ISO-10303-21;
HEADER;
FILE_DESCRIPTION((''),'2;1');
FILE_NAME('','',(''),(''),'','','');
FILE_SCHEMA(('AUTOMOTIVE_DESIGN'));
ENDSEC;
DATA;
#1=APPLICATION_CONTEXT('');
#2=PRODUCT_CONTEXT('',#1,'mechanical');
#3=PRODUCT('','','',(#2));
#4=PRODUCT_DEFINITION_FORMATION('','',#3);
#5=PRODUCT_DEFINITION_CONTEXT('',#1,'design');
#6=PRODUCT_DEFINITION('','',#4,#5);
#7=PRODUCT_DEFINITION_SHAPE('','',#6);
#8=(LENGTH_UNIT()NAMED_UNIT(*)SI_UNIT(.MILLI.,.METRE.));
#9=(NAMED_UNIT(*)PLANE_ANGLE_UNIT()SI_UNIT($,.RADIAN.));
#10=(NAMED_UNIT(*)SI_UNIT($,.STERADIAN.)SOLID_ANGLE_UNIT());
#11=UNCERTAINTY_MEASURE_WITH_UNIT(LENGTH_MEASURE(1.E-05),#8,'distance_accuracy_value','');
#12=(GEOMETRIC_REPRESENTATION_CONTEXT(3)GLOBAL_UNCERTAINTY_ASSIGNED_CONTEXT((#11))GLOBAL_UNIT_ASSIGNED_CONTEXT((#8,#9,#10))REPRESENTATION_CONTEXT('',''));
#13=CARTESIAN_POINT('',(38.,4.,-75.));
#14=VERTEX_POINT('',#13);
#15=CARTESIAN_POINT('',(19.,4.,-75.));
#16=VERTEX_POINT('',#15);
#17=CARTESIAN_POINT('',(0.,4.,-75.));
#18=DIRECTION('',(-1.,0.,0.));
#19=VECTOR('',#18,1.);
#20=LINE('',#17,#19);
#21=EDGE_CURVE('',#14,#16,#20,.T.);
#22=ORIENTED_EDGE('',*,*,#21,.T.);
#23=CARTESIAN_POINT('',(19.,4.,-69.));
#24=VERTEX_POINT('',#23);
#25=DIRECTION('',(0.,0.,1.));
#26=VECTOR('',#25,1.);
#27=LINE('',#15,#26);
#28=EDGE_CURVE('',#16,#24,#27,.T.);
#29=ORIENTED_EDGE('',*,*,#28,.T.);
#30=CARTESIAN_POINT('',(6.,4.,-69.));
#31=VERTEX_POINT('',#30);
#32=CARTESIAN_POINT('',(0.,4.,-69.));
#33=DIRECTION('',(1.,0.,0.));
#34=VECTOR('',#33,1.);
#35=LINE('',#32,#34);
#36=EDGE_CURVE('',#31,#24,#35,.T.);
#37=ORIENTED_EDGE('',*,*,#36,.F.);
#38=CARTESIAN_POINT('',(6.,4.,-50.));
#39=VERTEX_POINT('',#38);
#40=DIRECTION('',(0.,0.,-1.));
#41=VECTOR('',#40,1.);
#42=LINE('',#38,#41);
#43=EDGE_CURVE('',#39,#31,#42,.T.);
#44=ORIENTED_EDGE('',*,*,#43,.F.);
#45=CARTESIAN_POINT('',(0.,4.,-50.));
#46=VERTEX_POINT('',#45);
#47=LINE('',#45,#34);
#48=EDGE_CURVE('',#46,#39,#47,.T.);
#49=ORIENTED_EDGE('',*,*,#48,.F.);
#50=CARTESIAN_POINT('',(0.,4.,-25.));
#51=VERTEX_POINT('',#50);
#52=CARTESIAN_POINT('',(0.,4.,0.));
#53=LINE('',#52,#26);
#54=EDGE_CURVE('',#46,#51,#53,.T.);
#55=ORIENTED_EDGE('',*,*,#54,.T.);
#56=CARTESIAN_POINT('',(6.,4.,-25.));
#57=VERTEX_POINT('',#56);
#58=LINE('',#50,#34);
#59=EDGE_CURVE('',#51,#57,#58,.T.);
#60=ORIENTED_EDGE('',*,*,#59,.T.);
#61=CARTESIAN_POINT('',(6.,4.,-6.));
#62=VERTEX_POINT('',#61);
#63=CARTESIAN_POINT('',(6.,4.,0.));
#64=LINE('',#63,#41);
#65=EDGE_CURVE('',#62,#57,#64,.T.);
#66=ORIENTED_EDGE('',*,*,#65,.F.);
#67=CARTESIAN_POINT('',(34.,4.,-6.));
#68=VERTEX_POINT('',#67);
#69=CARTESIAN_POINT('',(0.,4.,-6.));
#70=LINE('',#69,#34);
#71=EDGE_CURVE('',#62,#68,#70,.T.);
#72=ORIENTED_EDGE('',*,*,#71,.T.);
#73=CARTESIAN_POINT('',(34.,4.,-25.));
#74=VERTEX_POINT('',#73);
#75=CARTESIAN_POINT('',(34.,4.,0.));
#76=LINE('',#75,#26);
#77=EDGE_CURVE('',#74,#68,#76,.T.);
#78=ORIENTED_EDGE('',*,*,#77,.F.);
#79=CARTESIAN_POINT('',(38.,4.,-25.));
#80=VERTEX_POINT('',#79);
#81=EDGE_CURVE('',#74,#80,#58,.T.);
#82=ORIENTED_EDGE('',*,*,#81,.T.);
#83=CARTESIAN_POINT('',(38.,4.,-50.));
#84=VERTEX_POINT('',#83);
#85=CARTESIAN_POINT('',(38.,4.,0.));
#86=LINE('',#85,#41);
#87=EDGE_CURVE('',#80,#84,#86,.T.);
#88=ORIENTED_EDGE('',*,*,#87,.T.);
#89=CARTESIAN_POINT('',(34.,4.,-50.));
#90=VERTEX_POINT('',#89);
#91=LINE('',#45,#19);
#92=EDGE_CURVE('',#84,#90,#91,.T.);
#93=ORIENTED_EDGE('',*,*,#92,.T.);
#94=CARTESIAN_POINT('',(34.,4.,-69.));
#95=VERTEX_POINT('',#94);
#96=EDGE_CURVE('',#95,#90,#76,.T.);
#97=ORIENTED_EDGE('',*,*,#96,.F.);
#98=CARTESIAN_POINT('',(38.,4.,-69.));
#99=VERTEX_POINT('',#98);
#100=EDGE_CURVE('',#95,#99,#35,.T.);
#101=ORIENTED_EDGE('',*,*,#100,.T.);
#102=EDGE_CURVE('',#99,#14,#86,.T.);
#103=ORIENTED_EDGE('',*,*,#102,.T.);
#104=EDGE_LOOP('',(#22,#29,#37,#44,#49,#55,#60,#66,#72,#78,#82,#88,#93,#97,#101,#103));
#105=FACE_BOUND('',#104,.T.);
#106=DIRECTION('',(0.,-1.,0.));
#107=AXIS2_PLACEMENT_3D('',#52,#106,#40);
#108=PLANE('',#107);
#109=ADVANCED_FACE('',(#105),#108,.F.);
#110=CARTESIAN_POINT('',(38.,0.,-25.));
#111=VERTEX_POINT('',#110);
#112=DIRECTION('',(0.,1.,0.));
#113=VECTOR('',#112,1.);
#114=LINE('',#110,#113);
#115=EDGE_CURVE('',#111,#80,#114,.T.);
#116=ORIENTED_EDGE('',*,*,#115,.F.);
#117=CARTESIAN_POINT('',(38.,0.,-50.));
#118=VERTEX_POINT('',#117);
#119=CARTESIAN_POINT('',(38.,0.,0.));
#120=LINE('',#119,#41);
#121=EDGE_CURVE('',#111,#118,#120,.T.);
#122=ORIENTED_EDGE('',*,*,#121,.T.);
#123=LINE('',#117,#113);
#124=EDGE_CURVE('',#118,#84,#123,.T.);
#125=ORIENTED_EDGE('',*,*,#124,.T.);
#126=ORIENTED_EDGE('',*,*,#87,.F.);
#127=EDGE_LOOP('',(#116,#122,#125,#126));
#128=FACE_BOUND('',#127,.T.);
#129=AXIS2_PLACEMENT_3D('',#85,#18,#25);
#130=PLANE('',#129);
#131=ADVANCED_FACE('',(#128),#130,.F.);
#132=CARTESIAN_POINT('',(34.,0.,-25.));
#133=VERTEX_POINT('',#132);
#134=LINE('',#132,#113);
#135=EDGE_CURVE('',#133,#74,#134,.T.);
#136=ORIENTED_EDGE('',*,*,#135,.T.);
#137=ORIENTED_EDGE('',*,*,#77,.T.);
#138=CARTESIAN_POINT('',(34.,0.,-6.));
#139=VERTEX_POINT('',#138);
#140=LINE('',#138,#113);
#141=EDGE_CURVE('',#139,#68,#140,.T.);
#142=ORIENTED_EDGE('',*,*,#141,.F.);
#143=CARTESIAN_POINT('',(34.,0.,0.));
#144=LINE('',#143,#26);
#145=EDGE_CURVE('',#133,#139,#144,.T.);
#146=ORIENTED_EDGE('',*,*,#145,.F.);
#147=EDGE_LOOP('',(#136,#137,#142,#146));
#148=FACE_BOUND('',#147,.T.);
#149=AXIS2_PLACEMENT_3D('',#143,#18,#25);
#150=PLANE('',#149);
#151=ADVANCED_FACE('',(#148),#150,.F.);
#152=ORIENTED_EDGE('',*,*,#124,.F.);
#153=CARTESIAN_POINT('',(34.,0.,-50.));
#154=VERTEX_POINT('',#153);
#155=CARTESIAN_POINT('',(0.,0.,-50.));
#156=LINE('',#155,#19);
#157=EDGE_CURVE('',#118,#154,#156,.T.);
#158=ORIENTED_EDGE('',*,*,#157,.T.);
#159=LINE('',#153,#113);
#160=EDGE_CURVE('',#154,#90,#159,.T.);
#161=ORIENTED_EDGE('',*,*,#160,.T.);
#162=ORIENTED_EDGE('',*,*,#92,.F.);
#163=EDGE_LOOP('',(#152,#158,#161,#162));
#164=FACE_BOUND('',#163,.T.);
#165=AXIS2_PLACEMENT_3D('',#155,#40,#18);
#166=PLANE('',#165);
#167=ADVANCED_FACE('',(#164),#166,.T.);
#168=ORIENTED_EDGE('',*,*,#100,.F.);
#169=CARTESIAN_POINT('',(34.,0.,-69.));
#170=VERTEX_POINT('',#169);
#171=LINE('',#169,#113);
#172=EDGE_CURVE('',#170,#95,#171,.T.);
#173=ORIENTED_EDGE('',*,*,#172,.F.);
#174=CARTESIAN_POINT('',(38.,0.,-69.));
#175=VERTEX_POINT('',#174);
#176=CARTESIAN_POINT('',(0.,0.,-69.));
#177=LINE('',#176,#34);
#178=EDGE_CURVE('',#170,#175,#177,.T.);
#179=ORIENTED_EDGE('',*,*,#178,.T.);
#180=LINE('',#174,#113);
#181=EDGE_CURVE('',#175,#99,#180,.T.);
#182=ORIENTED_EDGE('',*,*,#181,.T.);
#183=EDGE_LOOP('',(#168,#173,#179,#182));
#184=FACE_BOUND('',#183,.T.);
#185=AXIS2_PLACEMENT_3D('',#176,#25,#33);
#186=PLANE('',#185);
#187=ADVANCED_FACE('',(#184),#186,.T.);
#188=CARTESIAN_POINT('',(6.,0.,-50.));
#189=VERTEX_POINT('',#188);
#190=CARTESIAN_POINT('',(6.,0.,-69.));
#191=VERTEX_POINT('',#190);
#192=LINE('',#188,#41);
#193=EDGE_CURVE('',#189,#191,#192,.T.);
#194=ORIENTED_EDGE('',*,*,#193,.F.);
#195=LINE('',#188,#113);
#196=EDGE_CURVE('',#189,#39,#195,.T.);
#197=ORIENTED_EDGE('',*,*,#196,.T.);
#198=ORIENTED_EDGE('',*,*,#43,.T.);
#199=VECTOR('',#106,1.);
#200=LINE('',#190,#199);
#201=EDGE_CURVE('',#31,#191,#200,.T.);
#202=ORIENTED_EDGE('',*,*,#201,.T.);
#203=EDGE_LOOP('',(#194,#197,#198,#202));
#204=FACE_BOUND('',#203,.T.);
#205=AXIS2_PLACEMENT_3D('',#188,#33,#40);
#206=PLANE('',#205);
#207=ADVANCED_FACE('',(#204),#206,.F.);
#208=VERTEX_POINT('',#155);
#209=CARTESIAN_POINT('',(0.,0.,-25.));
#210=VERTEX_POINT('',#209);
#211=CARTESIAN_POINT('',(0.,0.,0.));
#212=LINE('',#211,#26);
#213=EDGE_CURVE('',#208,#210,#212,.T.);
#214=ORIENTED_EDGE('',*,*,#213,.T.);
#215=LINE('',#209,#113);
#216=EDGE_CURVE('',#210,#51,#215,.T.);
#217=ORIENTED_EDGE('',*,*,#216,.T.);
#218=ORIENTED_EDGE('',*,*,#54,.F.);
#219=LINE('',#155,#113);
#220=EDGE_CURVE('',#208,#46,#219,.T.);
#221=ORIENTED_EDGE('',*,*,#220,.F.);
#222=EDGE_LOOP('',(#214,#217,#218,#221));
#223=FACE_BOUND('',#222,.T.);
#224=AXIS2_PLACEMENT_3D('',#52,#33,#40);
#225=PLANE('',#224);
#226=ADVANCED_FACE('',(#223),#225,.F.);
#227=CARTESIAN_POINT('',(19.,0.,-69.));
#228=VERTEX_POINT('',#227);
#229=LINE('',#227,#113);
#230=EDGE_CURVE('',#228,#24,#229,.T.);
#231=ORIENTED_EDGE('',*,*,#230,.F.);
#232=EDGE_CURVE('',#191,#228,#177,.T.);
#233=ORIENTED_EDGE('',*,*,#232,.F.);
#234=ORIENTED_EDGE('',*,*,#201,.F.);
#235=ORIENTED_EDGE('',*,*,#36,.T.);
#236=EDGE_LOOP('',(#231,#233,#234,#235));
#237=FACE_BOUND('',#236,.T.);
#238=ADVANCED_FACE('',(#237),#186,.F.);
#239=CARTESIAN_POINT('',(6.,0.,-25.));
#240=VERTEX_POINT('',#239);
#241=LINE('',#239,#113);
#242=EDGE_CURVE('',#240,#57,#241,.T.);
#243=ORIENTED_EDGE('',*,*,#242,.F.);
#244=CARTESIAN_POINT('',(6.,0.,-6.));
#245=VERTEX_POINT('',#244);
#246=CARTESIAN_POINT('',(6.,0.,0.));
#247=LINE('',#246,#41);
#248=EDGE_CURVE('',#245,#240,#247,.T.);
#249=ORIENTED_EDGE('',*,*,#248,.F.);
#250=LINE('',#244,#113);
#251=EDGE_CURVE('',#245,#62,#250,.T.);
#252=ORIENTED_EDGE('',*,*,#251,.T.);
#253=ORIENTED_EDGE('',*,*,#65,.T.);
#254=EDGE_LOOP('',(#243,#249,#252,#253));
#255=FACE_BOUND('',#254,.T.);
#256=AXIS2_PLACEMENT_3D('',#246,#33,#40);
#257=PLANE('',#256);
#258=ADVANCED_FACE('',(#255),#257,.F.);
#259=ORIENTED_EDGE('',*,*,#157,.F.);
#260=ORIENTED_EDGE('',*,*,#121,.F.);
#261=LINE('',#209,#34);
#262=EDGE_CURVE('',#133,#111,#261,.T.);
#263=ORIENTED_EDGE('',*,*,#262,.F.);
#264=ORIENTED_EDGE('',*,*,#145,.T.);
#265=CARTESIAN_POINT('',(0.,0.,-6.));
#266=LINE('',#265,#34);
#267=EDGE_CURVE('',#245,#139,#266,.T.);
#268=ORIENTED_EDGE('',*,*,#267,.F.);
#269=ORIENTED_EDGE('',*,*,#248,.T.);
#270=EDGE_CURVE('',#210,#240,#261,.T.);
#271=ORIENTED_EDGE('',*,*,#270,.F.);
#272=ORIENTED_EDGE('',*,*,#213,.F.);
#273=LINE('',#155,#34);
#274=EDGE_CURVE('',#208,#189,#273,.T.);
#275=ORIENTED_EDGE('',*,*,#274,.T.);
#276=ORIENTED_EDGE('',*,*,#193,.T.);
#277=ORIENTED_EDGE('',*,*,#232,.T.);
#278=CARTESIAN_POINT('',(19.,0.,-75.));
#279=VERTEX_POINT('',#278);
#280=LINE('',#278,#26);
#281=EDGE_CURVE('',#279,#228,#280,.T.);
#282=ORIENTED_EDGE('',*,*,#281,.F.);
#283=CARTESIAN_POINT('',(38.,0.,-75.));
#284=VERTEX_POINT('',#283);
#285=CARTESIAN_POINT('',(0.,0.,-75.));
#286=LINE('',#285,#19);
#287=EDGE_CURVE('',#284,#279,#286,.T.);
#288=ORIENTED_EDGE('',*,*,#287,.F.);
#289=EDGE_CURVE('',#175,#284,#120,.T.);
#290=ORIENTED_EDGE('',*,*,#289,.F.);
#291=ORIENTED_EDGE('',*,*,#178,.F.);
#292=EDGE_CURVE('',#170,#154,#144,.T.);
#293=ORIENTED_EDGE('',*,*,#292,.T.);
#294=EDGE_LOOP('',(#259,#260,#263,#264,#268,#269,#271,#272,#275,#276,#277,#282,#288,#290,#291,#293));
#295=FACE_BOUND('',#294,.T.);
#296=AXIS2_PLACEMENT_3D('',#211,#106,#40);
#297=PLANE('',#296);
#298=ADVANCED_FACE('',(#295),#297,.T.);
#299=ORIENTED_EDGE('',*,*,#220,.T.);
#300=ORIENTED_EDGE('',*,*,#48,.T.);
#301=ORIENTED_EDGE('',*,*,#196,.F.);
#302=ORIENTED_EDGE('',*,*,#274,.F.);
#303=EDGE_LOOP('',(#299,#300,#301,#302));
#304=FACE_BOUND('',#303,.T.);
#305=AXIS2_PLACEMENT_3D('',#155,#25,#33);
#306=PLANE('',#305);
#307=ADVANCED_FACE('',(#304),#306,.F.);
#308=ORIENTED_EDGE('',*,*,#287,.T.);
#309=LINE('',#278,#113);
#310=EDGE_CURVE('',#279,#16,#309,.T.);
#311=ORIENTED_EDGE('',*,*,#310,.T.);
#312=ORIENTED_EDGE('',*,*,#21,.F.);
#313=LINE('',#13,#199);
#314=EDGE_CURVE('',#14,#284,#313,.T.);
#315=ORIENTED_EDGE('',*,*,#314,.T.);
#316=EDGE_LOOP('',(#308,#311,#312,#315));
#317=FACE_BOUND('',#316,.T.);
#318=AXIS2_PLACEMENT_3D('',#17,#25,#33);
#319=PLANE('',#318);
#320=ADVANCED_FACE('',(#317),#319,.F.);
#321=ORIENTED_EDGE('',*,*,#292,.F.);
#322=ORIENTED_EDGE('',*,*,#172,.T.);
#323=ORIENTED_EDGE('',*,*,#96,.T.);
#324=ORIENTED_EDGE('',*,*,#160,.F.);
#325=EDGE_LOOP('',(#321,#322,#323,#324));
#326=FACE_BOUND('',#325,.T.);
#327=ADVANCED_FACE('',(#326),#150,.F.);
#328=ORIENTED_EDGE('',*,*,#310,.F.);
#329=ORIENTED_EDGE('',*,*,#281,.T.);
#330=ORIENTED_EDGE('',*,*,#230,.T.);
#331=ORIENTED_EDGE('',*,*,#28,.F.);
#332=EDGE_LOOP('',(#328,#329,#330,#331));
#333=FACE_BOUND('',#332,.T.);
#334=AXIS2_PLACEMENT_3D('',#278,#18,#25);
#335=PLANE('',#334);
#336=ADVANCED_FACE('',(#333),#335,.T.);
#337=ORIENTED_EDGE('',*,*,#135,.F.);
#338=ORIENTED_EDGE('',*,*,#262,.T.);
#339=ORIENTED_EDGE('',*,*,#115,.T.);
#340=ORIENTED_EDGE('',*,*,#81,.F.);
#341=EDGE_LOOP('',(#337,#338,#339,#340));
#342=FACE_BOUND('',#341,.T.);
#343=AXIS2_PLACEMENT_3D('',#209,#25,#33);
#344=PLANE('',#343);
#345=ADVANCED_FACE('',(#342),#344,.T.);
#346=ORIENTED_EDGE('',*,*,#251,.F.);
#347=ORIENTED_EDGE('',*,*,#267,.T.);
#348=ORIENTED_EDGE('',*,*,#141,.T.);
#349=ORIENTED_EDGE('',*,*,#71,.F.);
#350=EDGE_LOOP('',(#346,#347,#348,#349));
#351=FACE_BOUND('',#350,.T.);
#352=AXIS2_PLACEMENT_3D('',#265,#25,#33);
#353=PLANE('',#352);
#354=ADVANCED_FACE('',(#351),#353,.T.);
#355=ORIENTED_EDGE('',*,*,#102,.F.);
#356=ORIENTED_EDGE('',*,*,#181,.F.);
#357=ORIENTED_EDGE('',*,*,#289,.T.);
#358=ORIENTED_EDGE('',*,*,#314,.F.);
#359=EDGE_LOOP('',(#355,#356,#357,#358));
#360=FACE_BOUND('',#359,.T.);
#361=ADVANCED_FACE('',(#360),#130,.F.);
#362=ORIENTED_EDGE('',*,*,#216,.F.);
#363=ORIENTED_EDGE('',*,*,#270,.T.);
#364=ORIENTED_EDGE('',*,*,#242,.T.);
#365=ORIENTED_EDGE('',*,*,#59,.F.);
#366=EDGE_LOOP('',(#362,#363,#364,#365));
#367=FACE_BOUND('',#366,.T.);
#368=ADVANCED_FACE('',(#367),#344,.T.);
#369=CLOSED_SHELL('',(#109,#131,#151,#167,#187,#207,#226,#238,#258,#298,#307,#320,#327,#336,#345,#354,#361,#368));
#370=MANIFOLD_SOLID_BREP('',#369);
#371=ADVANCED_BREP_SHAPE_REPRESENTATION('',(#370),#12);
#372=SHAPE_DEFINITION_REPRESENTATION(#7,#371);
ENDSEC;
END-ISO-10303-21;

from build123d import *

# Parameters (mm, degrees)
SKETCH1_W           = 38
SKETCH1_H           = 75
BOSS_EXTRUDE1_DEPTH = 4
SKETCH2_W           = 4
SKETCH2_H           = 19
CUT_EXTRUDE1_DEPTH  = 85.172442046


with BuildPart() as part:
    # Sketch1 → Boss-Extrude1 (new body)
    with BuildSketch(Plane(origin=(0, 0, 0), x_dir=(1, 0, 0), z_dir=(0, 1, 0))):
        with Locations((19, 37.5)):
            Rectangle(SKETCH1_W, SKETCH1_H)
    extrude(amount=BOSS_EXTRUDE1_DEPTH)

    # Sketch2 → Cut-Extrude1 (cut, through all)
    with BuildSketch(Plane(origin=(0, 4, 0), x_dir=(1, 0, 0), z_dir=(0, 1, 0))):
        Polygon((0, 0), (38, 0), (38, 25), (34, 25), (34, 6), (6, 6), (6, 25), (0, 25), align=None)
        Polygon((0, 50), (6, 50), (6, 69), (19, 69), (19, 75), (0, 75), align=None)
        with Locations((36, 59.5)):
            Rectangle(SKETCH2_W, SKETCH2_H)
    extrude(amount=-CUT_EXTRUDE1_DEPTH, mode=Mode.SUBTRACT)


solid = part.part
